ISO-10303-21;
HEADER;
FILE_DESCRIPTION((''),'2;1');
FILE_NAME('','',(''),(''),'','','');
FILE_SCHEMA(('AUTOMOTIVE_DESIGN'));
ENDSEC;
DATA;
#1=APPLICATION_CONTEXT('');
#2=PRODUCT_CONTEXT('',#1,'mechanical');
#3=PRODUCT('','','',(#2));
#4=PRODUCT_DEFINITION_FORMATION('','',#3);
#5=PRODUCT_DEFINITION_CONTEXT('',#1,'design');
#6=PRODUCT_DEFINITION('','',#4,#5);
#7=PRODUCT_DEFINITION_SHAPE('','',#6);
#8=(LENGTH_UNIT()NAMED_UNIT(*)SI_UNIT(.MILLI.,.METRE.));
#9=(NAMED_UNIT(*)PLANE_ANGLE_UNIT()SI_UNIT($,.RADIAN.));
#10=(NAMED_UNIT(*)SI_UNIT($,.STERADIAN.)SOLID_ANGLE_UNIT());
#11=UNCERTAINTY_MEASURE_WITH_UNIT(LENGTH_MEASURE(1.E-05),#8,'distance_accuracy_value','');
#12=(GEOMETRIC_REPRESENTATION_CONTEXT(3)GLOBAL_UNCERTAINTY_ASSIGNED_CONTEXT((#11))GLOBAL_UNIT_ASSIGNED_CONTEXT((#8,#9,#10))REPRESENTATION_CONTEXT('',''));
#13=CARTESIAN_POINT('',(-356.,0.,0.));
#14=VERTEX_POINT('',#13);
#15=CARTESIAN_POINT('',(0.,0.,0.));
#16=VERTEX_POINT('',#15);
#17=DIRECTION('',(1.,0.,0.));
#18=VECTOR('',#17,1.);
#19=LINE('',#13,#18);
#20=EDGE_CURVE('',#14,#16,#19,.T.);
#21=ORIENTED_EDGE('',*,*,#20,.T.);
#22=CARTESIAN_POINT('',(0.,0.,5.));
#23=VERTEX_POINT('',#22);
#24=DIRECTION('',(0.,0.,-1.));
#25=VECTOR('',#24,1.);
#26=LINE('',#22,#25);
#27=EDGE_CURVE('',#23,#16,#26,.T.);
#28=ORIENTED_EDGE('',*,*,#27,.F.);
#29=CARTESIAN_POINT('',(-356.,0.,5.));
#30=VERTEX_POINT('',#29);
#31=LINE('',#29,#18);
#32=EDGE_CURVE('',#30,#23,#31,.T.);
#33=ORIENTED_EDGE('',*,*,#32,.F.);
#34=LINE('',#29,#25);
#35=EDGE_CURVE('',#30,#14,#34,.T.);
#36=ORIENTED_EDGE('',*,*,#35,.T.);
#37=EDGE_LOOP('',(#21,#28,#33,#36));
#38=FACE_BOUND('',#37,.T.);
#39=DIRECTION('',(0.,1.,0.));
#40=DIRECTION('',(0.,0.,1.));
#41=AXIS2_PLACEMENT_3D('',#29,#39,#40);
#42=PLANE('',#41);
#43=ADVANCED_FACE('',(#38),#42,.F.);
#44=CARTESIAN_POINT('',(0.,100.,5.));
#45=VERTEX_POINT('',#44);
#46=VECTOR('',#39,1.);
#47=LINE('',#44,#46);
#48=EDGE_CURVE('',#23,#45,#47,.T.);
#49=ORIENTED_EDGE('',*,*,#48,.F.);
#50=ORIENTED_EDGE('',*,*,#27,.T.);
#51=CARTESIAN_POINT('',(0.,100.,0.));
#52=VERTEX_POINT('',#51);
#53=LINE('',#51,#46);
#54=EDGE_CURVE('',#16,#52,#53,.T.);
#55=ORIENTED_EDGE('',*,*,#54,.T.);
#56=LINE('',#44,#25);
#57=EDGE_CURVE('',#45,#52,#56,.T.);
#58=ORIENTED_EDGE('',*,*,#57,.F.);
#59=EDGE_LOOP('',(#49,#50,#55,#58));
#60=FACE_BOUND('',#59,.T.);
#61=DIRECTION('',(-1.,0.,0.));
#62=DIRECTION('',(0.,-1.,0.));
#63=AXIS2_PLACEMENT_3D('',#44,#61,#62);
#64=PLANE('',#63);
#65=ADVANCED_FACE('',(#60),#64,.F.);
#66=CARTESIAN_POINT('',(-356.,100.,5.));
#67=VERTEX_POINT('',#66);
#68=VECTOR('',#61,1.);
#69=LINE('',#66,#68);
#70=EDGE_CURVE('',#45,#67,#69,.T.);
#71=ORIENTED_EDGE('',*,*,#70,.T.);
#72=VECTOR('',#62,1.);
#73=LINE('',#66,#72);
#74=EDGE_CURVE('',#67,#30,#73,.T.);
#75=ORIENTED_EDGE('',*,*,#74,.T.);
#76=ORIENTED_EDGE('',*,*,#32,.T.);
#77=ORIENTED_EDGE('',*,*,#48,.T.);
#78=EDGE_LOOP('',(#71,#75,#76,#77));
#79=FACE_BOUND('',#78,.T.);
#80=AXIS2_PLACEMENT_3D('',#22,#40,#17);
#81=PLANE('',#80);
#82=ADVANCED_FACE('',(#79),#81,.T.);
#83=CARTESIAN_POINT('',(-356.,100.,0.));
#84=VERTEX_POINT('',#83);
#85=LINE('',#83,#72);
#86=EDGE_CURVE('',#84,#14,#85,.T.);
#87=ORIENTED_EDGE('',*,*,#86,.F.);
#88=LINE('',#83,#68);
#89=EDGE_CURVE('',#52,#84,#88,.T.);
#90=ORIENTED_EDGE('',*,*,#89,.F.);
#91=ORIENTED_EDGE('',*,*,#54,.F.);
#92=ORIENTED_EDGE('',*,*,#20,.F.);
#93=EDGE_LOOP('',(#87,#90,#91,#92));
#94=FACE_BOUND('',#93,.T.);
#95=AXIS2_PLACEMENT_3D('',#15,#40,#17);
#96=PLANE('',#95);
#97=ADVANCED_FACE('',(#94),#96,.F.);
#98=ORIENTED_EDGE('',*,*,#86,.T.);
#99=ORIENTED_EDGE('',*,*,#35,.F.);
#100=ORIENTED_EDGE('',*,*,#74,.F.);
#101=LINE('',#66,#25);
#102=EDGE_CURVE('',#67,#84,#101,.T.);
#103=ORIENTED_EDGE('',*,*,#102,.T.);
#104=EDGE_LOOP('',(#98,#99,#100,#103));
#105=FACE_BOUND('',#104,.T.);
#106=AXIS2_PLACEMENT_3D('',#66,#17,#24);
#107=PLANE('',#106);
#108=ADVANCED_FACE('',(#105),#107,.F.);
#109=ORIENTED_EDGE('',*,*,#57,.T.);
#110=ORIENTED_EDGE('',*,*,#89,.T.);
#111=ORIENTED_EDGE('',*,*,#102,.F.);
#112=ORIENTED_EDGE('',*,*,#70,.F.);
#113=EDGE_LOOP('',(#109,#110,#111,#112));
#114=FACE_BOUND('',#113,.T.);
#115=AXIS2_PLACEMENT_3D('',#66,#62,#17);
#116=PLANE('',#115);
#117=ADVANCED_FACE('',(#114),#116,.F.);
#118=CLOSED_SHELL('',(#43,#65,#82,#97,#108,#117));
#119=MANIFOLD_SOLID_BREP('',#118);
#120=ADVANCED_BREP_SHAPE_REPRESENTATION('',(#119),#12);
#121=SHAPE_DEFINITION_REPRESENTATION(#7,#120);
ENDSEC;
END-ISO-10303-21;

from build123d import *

# Parameters (mm, degrees)
ESQUISSE1_W        = 356
ESQUISSE1_H        = 100
BOSS_EXTRU_1_DEPTH = 5


with BuildPart() as part:
    # Esquisse1 → Boss.-Extru.1 (new body)
    with BuildSketch(Plane.XY):
        with Locations((-178, 50)):
            Rectangle(ESQUISSE1_W, ESQUISSE1_H)
    extrude(amount=BOSS_EXTRU_1_DEPTH)


solid = part.part
